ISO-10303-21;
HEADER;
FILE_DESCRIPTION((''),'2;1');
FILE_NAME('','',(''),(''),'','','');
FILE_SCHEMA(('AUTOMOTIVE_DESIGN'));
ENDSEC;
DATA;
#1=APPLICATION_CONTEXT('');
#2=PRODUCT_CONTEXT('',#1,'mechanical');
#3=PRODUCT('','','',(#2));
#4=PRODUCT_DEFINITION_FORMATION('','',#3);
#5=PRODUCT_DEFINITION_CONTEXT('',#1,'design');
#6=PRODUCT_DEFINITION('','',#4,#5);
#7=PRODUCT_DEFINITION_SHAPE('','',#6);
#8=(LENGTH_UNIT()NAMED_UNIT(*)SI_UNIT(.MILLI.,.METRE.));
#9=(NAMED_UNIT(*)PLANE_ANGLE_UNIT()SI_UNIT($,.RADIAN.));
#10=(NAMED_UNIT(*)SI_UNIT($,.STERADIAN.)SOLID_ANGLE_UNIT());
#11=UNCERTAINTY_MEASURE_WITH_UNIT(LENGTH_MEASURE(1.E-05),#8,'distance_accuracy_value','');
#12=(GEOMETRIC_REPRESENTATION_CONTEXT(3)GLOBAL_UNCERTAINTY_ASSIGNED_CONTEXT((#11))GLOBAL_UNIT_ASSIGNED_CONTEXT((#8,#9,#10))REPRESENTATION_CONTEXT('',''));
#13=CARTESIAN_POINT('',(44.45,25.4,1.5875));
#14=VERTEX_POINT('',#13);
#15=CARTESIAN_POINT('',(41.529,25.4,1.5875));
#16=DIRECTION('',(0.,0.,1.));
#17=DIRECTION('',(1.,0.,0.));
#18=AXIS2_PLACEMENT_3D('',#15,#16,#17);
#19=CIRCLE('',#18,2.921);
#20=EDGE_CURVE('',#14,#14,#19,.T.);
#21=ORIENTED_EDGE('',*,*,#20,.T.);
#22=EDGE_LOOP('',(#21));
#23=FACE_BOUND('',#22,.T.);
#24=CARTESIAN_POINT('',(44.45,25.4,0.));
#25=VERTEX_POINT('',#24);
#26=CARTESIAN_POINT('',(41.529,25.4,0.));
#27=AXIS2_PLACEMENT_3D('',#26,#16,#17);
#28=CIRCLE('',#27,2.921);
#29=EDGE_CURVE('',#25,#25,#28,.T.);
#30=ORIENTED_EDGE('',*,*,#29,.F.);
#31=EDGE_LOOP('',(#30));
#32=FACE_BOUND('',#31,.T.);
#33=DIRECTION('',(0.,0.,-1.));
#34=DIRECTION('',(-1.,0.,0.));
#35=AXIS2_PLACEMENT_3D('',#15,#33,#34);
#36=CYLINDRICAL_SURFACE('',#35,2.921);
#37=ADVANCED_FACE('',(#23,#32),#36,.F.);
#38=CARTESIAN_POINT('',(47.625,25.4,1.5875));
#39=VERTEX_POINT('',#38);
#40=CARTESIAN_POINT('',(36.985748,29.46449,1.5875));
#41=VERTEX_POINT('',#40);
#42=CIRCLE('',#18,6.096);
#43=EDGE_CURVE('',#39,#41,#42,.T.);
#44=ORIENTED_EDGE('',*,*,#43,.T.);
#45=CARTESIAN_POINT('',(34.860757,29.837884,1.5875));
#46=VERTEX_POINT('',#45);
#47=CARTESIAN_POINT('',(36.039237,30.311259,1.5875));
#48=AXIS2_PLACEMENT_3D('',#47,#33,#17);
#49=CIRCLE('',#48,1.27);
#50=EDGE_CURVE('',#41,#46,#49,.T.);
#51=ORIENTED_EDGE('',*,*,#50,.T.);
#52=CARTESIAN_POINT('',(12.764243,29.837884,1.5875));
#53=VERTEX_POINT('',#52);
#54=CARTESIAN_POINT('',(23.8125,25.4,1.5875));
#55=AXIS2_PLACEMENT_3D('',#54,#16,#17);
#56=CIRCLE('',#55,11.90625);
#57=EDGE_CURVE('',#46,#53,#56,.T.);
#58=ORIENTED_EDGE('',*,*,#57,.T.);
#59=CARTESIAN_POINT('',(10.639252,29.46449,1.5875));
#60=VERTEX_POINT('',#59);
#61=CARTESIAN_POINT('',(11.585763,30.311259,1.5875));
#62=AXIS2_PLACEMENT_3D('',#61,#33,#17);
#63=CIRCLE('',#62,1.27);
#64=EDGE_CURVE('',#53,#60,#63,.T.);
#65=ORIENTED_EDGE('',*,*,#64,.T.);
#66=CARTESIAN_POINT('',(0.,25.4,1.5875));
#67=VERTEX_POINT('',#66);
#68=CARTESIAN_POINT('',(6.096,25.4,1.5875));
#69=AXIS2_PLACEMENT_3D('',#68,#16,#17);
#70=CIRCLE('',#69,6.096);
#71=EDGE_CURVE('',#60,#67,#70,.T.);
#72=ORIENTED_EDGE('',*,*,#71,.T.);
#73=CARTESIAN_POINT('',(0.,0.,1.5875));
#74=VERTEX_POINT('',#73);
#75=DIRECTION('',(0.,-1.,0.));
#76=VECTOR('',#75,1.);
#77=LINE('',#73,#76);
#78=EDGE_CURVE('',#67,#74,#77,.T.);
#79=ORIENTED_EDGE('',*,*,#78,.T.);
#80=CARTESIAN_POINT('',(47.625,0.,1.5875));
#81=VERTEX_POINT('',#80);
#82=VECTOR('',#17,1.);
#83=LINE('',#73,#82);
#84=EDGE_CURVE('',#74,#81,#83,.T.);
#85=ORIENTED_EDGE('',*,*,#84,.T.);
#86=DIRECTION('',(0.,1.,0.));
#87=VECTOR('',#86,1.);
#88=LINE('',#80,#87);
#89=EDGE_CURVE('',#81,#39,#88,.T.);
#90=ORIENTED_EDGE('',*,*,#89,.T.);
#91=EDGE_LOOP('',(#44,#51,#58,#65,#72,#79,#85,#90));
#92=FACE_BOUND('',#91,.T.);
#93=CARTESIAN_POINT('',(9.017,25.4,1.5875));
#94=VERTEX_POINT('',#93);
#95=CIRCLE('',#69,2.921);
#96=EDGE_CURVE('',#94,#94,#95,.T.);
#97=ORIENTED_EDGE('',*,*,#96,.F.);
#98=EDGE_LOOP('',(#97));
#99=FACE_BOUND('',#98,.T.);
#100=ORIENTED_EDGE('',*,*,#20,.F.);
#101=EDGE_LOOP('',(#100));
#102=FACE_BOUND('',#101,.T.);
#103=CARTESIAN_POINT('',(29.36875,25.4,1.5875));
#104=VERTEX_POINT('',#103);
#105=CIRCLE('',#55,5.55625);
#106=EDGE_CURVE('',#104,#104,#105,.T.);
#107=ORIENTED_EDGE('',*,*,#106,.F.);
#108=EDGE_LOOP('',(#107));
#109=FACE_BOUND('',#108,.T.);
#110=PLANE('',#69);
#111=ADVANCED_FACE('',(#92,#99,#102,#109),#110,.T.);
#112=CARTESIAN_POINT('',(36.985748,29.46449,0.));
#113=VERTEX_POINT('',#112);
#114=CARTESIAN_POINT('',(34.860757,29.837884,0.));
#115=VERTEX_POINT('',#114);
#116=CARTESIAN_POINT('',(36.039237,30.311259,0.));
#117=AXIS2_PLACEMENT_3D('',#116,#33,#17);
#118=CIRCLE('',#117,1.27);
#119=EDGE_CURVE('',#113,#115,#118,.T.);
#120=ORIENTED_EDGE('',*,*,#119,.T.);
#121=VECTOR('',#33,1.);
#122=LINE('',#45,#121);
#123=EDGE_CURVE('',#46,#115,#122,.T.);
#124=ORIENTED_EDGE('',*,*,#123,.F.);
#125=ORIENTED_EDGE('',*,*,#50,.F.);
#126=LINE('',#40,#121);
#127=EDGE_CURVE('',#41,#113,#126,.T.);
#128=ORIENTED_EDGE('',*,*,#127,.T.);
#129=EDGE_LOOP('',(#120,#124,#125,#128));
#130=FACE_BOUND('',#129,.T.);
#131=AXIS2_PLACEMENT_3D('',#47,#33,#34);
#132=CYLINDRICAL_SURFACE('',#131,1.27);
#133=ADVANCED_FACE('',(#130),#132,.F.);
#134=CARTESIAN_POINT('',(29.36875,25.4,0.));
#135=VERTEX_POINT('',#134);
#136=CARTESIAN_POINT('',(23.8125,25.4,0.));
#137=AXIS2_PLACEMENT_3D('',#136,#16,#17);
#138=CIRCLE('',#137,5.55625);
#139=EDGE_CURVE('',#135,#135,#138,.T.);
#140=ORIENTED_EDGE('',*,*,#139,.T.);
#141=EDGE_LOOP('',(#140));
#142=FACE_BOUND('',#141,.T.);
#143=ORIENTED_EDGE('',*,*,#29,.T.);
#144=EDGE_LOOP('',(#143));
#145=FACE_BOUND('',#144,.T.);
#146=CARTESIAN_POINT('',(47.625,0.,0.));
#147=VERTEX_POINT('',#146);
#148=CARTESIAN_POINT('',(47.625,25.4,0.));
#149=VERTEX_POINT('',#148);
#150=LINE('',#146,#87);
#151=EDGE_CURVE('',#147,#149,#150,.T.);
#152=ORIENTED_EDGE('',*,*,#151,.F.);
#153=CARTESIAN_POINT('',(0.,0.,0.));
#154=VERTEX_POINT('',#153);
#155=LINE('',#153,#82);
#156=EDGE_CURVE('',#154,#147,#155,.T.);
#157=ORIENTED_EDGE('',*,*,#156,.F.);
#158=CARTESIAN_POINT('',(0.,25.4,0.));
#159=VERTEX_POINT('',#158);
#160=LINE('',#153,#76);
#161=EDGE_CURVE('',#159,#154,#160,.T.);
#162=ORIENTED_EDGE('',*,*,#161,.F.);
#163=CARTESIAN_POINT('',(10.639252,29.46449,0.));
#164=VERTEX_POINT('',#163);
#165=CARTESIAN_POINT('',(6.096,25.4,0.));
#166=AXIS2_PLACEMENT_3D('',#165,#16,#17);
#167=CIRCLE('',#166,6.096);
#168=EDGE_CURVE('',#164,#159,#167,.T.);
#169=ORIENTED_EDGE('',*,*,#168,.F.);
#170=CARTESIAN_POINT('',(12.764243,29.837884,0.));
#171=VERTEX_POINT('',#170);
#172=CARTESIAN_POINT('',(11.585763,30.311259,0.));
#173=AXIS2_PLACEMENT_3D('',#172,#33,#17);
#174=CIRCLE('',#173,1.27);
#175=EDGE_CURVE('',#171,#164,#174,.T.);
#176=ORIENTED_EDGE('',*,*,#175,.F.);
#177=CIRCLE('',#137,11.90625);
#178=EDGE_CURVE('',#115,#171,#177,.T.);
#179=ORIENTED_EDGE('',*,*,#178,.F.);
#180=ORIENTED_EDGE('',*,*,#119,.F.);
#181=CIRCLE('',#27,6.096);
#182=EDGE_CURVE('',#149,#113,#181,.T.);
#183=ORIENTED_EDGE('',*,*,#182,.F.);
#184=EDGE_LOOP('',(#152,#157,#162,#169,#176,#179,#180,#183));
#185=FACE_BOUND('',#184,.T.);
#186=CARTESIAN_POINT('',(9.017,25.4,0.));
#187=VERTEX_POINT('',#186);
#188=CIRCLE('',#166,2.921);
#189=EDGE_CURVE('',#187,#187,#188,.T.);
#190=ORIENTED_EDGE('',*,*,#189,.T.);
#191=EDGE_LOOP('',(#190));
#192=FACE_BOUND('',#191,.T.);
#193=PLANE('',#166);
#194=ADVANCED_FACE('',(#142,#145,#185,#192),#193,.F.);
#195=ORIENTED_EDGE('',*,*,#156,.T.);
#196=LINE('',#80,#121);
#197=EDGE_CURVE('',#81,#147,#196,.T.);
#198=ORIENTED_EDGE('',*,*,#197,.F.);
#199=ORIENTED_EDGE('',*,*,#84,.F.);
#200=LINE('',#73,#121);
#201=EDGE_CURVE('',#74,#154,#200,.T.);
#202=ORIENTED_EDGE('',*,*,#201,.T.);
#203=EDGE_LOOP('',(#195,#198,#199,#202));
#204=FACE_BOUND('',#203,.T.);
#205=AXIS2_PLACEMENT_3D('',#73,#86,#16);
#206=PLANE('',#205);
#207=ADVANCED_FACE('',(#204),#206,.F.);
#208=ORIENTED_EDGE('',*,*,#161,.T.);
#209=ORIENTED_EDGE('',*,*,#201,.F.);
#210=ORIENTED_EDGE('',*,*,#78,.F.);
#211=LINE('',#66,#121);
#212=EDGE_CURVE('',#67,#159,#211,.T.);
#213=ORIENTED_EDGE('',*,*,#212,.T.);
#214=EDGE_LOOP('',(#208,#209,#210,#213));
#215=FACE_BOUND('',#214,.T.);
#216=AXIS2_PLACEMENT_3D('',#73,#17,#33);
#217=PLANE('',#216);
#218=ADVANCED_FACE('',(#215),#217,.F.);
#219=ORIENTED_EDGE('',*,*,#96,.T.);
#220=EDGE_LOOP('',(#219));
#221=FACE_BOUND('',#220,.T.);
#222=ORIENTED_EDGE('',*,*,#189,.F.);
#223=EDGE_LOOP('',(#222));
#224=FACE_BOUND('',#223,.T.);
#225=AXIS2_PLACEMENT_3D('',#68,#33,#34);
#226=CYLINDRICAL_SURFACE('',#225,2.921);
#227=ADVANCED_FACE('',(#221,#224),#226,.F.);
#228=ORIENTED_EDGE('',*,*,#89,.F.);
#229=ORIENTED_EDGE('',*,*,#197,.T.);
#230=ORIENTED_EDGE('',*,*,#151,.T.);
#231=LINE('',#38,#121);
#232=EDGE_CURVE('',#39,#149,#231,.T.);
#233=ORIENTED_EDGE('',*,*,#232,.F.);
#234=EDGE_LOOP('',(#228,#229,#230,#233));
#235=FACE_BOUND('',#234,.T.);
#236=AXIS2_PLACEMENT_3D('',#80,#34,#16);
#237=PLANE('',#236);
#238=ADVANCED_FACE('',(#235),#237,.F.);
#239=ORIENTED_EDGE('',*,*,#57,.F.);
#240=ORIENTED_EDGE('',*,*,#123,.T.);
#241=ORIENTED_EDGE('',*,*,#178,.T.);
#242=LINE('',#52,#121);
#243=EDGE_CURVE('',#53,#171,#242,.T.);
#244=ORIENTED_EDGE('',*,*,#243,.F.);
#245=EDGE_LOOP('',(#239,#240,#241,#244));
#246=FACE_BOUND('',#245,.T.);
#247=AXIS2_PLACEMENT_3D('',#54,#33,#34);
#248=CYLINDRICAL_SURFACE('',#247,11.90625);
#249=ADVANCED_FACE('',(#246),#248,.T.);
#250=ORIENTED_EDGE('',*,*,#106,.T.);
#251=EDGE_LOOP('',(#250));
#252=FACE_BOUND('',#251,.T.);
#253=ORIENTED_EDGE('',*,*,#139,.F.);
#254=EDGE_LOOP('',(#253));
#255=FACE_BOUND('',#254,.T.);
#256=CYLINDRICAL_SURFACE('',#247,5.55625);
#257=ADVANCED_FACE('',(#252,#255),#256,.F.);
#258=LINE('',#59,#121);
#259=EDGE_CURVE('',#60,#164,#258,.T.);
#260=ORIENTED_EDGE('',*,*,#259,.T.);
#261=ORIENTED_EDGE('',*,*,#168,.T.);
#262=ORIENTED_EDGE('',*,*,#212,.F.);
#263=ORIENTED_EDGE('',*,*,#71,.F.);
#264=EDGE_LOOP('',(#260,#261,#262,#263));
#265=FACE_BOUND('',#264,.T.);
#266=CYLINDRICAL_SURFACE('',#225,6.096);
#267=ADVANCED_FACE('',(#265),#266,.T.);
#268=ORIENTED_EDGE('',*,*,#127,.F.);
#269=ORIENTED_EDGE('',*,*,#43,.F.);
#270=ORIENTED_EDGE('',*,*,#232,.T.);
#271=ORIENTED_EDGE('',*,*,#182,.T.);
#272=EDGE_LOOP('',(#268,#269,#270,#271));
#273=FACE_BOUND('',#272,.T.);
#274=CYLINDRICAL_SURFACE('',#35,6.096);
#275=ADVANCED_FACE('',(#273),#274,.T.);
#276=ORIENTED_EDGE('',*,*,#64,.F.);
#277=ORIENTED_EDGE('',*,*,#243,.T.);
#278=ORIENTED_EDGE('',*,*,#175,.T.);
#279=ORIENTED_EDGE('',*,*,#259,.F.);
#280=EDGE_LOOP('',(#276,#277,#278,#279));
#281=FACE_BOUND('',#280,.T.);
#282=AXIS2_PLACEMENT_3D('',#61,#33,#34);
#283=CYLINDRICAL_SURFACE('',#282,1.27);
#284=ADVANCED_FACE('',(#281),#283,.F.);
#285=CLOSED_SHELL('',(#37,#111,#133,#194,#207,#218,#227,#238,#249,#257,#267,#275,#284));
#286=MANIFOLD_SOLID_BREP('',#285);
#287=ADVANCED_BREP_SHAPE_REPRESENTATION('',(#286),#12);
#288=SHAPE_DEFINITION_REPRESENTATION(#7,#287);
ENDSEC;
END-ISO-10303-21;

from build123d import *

# Parameters (mm, degrees)
SKETCH1_R           = 5.55625
SKETCH1_R_2         = 2.921
BOSS_EXTRUDE1_DEPTH = 1.5875


with BuildPart() as part:
    # Sketch1 → Boss-Extrude1 (new body)
    with BuildSketch(Plane.XY):
        with BuildLine():
            Line((0, 0), (47.625, 0))
            Line((47.625, 0), (47.625, 25.4))
            ThreePointArc((47.625, 25.4), (43.704494442, 31.094597434), (36.985748053, 29.464489851))
            ThreePointArc((36.985748053, 29.464489851), (35.819445625, 29.06042219), (34.860756534, 29.83788425))
            ThreePointArc((34.860756534, 29.83788425), (23.8125, 37.30625), (12.764243466, 29.83788425))
            ThreePointArc((12.764243466, 29.83788425), (11.805554375, 29.06042219), (10.639251947, 29.464489851))
            ThreePointArc((10.639251947, 29.464489851), (3.920505558, 31.094597434), (0, 25.4))
            Line((0, 25.4), (0, 0))
        make_face()
        with Locations((23.8125, 25.4)):
            Circle(SKETCH1_R, mode=Mode.SUBTRACT)
        with Locations((6.096, 25.4)):
            Circle(SKETCH1_R_2, mode=Mode.SUBTRACT)
        with Locations((41.529, 25.4)):
            Circle(SKETCH1_R_2, mode=Mode.SUBTRACT)
    extrude(amount=BOSS_EXTRUDE1_DEPTH)


solid = part.part
